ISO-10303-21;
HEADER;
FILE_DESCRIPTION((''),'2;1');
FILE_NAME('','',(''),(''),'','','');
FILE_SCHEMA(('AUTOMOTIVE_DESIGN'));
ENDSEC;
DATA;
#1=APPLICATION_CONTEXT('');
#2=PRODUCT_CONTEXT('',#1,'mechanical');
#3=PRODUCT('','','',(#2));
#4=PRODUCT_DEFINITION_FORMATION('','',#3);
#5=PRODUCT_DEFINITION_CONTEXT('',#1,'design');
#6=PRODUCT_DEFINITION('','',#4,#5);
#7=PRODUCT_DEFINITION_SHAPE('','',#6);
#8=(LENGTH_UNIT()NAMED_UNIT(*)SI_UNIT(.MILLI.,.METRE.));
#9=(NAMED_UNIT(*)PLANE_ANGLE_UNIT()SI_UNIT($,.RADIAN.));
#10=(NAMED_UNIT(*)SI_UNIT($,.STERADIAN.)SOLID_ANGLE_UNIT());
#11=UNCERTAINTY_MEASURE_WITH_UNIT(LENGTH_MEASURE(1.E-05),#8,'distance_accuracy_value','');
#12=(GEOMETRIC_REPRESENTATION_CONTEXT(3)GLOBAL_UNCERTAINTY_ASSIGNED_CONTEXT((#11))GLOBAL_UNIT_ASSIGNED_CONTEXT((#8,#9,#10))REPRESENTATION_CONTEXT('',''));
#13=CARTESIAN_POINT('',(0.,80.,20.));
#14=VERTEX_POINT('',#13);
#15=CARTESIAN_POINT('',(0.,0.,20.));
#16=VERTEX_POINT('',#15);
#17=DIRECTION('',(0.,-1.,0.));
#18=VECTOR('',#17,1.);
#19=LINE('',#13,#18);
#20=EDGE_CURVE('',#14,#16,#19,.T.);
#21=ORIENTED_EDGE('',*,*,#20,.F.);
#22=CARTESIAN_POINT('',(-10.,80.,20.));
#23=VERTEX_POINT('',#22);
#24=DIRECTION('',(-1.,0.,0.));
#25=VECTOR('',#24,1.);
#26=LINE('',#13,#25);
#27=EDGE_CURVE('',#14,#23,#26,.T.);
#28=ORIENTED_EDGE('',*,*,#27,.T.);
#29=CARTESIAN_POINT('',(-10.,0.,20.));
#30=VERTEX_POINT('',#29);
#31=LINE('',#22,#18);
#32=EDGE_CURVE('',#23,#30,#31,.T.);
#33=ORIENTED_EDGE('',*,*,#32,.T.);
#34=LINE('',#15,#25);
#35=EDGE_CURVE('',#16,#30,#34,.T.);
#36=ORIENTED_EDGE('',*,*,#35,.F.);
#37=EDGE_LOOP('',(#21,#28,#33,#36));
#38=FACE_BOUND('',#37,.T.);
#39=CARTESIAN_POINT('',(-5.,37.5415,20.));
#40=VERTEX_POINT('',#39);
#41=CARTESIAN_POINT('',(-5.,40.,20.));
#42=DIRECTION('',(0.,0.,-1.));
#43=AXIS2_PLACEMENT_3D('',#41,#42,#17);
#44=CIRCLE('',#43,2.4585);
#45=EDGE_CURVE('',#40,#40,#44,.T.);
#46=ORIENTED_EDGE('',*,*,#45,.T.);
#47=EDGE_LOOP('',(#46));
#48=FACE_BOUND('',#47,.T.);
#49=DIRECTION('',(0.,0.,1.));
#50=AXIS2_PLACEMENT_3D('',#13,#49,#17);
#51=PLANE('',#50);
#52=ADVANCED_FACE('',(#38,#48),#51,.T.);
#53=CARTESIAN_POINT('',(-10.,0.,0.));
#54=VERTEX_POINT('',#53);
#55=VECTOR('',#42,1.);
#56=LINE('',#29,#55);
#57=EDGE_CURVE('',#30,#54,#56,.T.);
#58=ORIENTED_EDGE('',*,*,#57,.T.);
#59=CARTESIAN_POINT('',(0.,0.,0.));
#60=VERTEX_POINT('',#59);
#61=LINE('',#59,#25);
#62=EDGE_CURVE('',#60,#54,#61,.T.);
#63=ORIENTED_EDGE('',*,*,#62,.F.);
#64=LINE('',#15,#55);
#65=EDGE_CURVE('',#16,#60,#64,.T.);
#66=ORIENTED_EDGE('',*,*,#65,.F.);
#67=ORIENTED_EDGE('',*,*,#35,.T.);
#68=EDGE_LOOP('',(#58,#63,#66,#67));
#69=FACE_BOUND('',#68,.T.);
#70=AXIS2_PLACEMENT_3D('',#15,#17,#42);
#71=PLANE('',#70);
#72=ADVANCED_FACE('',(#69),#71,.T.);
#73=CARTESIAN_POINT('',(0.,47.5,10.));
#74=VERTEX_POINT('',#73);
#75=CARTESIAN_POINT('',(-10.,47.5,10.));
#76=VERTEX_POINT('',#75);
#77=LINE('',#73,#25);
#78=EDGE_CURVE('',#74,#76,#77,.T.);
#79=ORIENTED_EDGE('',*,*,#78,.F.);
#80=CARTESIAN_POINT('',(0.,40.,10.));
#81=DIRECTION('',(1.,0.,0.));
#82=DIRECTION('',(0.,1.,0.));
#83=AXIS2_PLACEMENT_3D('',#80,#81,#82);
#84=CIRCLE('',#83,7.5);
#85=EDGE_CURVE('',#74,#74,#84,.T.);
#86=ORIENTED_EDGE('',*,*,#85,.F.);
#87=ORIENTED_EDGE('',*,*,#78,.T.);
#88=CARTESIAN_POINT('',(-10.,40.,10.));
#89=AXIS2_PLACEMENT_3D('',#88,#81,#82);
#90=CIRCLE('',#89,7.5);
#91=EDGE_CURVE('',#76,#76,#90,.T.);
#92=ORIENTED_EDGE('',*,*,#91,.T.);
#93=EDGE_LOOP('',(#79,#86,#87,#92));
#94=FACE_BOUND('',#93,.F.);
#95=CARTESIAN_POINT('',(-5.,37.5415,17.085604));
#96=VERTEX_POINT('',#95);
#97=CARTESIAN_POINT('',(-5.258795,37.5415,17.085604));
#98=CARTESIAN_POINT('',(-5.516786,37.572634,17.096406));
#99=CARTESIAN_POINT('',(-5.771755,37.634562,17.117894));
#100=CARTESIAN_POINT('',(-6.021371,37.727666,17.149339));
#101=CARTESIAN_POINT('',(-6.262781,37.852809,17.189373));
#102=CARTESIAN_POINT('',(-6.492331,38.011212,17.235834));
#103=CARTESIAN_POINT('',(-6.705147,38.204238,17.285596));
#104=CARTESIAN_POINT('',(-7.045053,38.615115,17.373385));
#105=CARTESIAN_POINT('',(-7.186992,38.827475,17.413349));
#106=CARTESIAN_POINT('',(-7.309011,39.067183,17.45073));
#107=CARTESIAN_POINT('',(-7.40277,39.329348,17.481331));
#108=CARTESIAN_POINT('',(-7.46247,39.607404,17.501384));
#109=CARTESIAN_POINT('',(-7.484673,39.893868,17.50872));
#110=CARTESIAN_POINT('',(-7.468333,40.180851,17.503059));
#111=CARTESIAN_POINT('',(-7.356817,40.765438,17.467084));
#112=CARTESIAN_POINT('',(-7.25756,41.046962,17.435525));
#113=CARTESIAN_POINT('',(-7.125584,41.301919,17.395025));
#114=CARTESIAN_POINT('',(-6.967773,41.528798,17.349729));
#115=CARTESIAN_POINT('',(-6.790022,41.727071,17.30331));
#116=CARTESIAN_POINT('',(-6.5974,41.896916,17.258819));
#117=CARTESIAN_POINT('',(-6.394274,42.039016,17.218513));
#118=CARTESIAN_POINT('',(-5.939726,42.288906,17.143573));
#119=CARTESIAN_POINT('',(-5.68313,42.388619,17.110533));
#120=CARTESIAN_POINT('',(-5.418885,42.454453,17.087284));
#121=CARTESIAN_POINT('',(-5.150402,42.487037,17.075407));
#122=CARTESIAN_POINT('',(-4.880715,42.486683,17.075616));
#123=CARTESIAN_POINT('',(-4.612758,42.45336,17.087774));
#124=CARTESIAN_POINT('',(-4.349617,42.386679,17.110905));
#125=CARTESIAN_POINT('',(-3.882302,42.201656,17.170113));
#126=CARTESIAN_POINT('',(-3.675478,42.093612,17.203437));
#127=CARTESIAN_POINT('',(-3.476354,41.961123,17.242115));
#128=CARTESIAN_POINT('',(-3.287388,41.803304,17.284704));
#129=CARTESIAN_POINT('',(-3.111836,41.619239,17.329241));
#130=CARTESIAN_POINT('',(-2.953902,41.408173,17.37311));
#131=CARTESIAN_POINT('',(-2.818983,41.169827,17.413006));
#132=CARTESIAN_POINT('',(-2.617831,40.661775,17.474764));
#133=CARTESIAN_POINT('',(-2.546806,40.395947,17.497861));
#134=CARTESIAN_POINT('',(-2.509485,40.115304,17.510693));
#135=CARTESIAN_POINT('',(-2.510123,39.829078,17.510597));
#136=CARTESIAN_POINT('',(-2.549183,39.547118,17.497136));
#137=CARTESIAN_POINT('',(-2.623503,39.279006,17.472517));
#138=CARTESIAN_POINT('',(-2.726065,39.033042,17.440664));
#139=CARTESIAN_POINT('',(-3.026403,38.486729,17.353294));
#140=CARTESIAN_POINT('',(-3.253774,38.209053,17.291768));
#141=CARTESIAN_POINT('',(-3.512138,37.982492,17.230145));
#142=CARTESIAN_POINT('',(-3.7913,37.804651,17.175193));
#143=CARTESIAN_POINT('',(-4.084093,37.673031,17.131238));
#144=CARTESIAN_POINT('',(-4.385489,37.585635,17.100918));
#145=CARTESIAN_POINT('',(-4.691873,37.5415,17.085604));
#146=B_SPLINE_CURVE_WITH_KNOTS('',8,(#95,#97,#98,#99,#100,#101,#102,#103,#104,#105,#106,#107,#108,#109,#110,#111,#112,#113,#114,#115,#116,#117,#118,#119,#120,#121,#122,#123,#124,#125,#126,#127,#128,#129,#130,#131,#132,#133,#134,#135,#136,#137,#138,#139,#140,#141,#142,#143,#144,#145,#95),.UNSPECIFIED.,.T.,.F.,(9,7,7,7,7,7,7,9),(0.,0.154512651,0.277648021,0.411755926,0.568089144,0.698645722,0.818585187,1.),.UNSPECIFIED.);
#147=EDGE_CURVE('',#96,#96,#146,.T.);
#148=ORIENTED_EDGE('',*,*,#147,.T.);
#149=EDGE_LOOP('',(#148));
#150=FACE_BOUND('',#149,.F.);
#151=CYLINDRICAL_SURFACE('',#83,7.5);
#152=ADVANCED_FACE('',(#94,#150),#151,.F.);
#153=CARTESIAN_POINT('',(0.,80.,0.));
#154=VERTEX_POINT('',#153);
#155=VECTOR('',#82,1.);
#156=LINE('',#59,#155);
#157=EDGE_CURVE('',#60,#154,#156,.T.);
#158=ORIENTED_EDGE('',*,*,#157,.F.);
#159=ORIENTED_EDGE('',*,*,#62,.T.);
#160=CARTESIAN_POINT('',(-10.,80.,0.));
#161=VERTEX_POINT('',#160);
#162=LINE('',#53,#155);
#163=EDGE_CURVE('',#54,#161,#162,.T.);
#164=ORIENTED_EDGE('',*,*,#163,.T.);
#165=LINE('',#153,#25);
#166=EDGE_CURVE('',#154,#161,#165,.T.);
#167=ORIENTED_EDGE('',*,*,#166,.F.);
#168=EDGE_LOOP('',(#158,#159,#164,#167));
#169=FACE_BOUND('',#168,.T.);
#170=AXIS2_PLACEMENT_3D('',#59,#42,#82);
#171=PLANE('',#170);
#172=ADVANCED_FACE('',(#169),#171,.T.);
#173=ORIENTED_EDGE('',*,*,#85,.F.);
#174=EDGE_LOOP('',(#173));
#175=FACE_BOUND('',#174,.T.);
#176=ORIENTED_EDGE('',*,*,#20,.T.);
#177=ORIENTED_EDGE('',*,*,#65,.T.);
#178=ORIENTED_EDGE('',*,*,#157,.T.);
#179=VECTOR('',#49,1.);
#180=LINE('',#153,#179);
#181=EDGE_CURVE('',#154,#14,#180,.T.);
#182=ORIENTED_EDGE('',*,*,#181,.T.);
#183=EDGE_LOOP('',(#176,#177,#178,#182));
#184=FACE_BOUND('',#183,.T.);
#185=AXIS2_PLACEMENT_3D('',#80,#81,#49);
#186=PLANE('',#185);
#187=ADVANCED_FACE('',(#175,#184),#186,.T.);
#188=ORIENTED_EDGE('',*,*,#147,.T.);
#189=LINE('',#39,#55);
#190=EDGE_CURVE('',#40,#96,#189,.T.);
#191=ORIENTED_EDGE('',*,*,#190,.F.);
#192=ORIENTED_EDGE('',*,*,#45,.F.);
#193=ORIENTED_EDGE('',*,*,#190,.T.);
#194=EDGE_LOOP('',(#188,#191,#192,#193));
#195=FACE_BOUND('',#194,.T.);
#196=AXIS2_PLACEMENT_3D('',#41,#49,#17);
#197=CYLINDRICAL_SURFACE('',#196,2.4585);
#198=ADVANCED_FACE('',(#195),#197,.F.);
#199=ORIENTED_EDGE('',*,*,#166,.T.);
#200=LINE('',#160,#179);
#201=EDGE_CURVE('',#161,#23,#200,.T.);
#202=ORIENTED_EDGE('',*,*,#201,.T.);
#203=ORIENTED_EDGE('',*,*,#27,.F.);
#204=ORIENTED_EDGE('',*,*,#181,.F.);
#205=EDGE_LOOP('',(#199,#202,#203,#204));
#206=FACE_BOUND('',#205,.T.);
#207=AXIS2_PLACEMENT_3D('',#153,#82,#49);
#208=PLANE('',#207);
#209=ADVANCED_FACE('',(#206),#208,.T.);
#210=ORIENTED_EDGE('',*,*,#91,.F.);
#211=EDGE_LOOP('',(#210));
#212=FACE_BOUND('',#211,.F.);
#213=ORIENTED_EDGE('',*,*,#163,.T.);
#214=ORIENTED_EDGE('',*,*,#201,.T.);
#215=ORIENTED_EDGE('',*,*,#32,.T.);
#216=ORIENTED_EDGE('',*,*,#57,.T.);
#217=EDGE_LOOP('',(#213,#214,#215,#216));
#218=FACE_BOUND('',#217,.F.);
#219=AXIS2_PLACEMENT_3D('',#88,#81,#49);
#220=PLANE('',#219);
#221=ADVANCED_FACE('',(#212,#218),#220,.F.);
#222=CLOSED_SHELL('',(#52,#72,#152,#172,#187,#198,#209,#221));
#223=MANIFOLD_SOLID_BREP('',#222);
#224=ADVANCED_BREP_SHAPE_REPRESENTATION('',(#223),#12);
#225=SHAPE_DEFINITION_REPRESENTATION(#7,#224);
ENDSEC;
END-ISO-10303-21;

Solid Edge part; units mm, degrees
sketch "Sketch1" plane through (0, 0, 0) normal (1, 0, 0) x (0, 1, 0)
  line L0 (80, 0) -> (80, 20)
  line L1 (80, 20) -> (0, 20)
  line L2 (0, 20) -> (0, 0)
  line L3 (0, 0) -> (80, 0)
extrude "Protrusion1" add sketch "Sketch1" against normal blind 10
sketch "Sketch2" plane through (0, 32.5, 7.5) normal (1, 0, 0) x (0, 1, 0)
  circle A0 centre (7.5, 2.5) radius 7.5
extrude "Cutout1" cut sketch "Sketch2" against normal through all
hole "Bohrung_1" at (-5, 40, 20) direction (0, 0, -1) diameter 4.917 end up to next
